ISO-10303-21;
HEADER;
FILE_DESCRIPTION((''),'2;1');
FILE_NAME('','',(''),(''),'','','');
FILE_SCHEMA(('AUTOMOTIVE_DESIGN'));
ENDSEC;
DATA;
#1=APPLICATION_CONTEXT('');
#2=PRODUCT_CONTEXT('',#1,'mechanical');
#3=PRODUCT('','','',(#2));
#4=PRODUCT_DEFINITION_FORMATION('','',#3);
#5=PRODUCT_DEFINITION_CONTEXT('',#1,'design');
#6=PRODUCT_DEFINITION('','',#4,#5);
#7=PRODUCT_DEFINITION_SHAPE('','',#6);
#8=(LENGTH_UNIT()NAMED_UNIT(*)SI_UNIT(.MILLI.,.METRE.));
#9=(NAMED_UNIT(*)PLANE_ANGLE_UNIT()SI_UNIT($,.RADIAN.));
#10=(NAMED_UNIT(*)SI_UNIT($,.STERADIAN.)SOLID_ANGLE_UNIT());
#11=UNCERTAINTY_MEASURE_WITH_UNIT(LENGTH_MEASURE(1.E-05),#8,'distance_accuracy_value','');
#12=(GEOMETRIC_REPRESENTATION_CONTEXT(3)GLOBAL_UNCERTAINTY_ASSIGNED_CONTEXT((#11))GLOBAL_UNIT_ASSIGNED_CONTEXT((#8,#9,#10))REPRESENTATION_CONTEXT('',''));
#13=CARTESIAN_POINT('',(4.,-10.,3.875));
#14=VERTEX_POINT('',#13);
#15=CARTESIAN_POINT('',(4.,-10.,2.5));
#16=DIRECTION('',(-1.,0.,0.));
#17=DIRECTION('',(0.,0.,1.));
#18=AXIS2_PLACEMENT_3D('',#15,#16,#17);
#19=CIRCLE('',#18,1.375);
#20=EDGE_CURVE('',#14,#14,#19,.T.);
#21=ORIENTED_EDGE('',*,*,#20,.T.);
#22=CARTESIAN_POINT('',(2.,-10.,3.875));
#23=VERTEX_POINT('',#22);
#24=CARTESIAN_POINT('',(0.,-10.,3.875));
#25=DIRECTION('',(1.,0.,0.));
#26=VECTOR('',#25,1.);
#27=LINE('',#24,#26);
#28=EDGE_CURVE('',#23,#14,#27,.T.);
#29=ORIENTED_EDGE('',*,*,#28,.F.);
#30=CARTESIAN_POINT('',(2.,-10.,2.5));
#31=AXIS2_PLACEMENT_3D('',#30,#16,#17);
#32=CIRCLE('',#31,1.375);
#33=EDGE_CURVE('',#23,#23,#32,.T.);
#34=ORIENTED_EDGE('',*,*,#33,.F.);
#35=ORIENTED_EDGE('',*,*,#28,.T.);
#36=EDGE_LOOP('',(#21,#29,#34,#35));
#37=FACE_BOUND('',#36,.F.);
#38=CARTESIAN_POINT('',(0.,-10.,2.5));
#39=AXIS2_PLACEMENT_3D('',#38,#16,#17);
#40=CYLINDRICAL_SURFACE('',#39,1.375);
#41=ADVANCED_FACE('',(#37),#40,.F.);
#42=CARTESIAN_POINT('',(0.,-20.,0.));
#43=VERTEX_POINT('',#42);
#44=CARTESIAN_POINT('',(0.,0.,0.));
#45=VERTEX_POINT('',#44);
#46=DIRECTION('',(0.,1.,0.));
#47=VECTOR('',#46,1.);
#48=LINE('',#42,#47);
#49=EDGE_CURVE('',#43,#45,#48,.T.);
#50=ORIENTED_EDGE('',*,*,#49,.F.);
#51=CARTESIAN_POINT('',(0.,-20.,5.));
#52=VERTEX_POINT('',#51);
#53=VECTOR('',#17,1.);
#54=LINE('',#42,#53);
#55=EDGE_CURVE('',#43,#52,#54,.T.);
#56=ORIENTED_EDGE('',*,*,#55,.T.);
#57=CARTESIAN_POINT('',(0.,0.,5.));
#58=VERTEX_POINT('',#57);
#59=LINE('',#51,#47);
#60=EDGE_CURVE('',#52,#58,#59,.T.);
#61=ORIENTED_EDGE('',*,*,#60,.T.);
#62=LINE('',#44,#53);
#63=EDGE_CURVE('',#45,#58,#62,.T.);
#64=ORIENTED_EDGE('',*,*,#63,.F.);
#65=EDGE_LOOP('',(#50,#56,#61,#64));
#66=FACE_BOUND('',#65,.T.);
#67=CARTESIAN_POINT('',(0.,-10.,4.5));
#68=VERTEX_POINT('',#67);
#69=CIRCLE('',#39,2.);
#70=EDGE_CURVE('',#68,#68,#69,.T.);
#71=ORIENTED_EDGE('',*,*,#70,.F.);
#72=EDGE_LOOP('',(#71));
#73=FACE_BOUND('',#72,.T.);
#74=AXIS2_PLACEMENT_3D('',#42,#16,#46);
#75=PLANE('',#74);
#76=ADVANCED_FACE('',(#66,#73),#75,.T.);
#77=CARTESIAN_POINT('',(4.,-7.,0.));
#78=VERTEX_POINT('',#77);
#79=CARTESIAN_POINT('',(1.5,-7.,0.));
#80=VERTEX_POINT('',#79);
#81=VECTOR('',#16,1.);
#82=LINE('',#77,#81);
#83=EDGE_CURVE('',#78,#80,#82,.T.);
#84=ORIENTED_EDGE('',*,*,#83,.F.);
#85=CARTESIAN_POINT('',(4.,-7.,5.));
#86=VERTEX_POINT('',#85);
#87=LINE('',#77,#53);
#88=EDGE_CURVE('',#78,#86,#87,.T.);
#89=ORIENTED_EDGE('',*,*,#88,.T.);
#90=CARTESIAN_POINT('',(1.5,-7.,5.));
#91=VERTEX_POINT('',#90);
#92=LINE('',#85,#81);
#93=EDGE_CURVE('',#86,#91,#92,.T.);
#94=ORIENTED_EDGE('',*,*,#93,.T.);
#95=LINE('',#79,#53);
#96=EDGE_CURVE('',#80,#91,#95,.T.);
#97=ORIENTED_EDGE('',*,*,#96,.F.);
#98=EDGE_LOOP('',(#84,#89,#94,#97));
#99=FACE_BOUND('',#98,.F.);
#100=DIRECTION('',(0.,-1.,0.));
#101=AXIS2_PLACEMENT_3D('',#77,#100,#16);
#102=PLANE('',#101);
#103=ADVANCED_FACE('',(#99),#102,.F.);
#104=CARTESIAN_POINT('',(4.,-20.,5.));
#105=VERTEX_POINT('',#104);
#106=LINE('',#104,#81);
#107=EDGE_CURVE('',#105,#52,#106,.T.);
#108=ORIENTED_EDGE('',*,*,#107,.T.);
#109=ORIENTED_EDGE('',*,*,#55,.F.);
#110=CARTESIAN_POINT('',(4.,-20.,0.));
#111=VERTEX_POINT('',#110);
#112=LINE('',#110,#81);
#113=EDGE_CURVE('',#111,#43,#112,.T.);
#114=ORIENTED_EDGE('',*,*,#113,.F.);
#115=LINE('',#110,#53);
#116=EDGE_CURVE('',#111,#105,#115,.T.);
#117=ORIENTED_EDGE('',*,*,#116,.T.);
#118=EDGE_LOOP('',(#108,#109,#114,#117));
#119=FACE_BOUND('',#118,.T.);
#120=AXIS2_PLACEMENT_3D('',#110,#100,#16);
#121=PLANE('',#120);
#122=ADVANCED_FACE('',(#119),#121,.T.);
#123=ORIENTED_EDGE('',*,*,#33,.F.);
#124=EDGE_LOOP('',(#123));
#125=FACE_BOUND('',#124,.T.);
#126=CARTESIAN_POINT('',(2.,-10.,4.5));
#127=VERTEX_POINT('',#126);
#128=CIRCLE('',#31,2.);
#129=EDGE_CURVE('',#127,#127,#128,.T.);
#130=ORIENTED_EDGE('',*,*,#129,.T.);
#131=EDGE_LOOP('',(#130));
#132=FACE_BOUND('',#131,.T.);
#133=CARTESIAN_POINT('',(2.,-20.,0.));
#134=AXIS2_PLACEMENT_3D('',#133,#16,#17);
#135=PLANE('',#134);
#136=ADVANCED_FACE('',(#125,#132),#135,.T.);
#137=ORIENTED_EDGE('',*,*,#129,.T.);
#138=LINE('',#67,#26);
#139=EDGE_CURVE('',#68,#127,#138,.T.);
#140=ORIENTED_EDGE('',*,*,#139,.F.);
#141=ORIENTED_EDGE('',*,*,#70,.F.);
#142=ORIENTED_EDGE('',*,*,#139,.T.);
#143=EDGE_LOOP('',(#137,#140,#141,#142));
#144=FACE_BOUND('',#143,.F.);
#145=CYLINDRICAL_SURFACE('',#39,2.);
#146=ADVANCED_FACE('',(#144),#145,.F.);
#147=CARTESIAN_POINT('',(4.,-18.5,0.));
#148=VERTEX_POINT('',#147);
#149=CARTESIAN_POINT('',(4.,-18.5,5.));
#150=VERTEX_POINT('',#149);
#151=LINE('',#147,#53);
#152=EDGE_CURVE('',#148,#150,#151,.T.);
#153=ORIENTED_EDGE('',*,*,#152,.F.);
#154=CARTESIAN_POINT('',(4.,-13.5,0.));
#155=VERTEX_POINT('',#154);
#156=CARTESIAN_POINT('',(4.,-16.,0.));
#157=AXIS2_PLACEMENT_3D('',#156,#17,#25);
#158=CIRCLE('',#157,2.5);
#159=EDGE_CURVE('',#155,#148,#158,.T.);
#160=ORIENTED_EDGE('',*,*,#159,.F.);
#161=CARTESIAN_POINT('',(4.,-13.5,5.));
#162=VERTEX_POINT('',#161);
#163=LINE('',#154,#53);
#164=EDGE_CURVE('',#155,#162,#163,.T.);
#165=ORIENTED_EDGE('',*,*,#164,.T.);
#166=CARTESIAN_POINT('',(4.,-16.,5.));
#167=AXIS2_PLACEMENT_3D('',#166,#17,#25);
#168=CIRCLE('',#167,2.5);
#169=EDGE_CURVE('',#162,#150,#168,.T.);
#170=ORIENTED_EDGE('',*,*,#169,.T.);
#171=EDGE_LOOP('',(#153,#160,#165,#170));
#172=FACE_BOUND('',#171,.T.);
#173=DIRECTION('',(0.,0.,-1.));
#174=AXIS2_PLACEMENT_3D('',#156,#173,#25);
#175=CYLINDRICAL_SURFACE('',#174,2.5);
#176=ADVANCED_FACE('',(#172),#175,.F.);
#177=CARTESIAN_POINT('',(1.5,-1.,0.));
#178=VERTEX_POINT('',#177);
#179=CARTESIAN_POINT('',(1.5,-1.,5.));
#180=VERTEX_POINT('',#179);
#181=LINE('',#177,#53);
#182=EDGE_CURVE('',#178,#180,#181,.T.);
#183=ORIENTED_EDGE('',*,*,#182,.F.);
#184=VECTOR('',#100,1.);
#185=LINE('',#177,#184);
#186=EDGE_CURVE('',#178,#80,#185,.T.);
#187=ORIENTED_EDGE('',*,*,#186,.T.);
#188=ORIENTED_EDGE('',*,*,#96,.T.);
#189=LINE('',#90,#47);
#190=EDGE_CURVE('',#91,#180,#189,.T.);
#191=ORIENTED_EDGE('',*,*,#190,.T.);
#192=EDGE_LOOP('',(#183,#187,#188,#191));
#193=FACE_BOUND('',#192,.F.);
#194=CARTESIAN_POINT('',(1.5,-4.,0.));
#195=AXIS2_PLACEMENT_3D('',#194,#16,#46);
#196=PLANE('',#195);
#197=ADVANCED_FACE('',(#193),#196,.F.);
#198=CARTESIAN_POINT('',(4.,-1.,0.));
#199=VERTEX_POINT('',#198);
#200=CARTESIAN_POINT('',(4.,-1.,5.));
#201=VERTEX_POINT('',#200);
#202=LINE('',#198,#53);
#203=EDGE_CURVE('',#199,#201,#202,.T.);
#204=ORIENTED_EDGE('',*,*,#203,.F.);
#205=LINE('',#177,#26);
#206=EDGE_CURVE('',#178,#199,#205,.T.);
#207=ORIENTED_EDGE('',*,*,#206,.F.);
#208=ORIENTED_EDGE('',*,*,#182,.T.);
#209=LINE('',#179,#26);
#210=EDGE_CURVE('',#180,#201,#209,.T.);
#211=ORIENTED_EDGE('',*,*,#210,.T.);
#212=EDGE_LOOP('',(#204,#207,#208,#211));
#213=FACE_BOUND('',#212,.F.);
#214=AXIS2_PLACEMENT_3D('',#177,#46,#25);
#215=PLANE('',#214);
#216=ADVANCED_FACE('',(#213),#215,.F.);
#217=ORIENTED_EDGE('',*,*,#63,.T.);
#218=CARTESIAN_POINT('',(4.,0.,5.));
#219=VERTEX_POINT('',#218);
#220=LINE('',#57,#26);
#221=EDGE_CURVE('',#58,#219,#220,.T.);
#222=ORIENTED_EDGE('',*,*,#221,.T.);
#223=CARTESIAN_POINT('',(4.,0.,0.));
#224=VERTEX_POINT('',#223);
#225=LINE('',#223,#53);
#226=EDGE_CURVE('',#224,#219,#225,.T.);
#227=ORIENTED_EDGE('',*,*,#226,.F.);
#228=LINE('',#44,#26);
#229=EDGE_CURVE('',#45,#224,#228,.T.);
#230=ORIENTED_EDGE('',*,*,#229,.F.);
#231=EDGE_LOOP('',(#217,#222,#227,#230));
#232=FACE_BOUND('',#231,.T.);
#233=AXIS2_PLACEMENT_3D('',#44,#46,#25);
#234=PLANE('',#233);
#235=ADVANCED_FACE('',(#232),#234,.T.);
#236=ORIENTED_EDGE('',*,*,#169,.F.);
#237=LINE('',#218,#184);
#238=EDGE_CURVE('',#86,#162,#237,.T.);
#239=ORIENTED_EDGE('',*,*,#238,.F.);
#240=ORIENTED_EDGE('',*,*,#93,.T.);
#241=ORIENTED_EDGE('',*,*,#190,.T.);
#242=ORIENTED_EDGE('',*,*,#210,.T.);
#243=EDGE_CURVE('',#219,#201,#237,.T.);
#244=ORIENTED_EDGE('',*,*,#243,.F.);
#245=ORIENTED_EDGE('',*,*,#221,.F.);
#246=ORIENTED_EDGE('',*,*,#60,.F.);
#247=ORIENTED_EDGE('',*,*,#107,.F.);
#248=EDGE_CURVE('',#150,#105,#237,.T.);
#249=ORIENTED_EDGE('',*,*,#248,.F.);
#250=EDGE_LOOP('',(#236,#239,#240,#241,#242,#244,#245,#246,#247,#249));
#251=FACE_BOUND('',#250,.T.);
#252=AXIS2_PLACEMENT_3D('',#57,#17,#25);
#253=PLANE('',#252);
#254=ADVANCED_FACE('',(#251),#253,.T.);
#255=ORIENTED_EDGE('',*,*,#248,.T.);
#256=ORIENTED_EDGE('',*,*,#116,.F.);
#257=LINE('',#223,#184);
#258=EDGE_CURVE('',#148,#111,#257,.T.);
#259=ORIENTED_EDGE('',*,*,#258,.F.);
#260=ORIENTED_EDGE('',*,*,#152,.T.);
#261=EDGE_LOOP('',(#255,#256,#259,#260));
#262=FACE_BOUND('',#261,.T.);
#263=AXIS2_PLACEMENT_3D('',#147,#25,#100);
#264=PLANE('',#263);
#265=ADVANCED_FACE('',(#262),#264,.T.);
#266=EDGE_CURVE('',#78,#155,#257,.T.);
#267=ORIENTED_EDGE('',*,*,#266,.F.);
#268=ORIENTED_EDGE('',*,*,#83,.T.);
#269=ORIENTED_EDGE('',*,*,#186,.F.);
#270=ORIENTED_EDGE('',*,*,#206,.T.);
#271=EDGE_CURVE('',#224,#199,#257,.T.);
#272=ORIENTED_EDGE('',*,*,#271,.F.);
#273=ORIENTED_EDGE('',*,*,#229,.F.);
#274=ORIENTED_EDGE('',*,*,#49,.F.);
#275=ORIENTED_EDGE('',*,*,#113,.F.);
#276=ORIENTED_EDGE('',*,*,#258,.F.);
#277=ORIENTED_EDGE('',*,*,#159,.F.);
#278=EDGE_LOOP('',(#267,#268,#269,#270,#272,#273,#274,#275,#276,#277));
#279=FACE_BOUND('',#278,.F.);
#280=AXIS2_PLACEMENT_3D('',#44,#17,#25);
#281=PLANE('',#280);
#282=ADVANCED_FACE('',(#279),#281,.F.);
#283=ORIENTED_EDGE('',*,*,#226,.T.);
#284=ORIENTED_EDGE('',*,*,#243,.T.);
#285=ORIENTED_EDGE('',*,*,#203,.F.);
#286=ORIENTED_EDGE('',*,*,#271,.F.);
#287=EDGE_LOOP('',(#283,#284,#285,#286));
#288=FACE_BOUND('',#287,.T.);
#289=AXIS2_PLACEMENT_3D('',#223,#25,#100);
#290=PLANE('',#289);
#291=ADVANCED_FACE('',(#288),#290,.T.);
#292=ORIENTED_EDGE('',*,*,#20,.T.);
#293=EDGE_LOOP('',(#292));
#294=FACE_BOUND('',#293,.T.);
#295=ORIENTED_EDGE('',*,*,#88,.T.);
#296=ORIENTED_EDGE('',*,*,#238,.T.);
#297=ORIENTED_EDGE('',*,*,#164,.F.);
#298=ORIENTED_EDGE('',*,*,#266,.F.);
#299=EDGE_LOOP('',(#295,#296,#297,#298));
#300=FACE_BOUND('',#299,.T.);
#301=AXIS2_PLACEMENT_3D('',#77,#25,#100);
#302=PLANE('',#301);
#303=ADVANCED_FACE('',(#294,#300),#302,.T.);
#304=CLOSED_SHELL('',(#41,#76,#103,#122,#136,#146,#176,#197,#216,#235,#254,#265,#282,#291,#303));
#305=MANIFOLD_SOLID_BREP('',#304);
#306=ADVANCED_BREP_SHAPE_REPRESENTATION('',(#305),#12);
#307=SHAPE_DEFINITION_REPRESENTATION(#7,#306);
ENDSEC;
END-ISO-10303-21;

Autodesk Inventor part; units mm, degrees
ref_plane "YZ Plane" through (0, 0, 0) normal (1, 0, 0) x (0, 1, 0)
ref_plane "XZ Plane" through (0, 0, 0) normal (0, 1, 0) x (-1, 0, 0)
ref_plane "XY Plane" through (0, 0, 0) normal (0, 0, 1) x (1, 0, 0)
sketch "Sketch1" plane through (0, 0, 0) normal (0, 0, 1) x (1, 0, 0)
  line L0 (0, 0) -> (4, 0)
  line L1 (4, 0) -> (4, -20)
  line L2 (4, -20) -> (0, -20)
  line L3 (0, -20) -> (0, 0)
  circle A0 centre (4, -4) radius 2.5
  circle A1 centre (4, -16) radius 2.5
  line L4 (1.5, -4) -> (1.5, -7)
  line L5 (1.5, -7) -> (1.5, -1)
  line L6 (4, -7) -> (1.5, -7)
  line L7 (1.5, -1) -> (4, -1)
  point P0 (4, -18.5)
  point P1 (4, -13.5)
  dimension "d2" = 5
  dimension "d0" = 20
  dimension "d1" = 4
  dimension "d3" = 5
  dimension "d4" = 4
  dimension "d5" = 4
  dimension "d6" = 3
  dimension "d7" = 3
extrude "Extrusion1" add sketch "Sketch1" along normal blind 5 contours L0 L1 L7 L5 L4 L6 A1 L2 L3
sketch "Sketch3" plane through (0, -20, 0) normal (-1, 0, 0) x (0, 0, 1)
  circle A0 centre (2.5, 10) radius 1.375
  line L0 (0, 0) -> (5, 0) projected
  line L1 (0, 20) -> (0, 0) projected
  dimension "d10" = 10
  dimension "d11" = 2.5
  dimension "d12" = 20
  dimension "d13" = 2.75
extrude "Extrusion2" cut sketch "Sketch3" against normal blind 20
sketch "Sketch4" plane through (0, -20, 0) normal (-1, 0, 0) x (0, 0, 1)
  circle A0 centre (2.5, 10) radius 1.375 projected
  circle A1 centre (2.5, 10) radius 2
  point P0 (0, 20)
  dimension "d16" = 4
extrude "Extrusion3" cut sketch "Sketch4" against normal blind 2 contours A0 | A1
equation "\"d1\" = d4"
equation "\"d5\" = d4"
properties part number "POMSliderAxis"
